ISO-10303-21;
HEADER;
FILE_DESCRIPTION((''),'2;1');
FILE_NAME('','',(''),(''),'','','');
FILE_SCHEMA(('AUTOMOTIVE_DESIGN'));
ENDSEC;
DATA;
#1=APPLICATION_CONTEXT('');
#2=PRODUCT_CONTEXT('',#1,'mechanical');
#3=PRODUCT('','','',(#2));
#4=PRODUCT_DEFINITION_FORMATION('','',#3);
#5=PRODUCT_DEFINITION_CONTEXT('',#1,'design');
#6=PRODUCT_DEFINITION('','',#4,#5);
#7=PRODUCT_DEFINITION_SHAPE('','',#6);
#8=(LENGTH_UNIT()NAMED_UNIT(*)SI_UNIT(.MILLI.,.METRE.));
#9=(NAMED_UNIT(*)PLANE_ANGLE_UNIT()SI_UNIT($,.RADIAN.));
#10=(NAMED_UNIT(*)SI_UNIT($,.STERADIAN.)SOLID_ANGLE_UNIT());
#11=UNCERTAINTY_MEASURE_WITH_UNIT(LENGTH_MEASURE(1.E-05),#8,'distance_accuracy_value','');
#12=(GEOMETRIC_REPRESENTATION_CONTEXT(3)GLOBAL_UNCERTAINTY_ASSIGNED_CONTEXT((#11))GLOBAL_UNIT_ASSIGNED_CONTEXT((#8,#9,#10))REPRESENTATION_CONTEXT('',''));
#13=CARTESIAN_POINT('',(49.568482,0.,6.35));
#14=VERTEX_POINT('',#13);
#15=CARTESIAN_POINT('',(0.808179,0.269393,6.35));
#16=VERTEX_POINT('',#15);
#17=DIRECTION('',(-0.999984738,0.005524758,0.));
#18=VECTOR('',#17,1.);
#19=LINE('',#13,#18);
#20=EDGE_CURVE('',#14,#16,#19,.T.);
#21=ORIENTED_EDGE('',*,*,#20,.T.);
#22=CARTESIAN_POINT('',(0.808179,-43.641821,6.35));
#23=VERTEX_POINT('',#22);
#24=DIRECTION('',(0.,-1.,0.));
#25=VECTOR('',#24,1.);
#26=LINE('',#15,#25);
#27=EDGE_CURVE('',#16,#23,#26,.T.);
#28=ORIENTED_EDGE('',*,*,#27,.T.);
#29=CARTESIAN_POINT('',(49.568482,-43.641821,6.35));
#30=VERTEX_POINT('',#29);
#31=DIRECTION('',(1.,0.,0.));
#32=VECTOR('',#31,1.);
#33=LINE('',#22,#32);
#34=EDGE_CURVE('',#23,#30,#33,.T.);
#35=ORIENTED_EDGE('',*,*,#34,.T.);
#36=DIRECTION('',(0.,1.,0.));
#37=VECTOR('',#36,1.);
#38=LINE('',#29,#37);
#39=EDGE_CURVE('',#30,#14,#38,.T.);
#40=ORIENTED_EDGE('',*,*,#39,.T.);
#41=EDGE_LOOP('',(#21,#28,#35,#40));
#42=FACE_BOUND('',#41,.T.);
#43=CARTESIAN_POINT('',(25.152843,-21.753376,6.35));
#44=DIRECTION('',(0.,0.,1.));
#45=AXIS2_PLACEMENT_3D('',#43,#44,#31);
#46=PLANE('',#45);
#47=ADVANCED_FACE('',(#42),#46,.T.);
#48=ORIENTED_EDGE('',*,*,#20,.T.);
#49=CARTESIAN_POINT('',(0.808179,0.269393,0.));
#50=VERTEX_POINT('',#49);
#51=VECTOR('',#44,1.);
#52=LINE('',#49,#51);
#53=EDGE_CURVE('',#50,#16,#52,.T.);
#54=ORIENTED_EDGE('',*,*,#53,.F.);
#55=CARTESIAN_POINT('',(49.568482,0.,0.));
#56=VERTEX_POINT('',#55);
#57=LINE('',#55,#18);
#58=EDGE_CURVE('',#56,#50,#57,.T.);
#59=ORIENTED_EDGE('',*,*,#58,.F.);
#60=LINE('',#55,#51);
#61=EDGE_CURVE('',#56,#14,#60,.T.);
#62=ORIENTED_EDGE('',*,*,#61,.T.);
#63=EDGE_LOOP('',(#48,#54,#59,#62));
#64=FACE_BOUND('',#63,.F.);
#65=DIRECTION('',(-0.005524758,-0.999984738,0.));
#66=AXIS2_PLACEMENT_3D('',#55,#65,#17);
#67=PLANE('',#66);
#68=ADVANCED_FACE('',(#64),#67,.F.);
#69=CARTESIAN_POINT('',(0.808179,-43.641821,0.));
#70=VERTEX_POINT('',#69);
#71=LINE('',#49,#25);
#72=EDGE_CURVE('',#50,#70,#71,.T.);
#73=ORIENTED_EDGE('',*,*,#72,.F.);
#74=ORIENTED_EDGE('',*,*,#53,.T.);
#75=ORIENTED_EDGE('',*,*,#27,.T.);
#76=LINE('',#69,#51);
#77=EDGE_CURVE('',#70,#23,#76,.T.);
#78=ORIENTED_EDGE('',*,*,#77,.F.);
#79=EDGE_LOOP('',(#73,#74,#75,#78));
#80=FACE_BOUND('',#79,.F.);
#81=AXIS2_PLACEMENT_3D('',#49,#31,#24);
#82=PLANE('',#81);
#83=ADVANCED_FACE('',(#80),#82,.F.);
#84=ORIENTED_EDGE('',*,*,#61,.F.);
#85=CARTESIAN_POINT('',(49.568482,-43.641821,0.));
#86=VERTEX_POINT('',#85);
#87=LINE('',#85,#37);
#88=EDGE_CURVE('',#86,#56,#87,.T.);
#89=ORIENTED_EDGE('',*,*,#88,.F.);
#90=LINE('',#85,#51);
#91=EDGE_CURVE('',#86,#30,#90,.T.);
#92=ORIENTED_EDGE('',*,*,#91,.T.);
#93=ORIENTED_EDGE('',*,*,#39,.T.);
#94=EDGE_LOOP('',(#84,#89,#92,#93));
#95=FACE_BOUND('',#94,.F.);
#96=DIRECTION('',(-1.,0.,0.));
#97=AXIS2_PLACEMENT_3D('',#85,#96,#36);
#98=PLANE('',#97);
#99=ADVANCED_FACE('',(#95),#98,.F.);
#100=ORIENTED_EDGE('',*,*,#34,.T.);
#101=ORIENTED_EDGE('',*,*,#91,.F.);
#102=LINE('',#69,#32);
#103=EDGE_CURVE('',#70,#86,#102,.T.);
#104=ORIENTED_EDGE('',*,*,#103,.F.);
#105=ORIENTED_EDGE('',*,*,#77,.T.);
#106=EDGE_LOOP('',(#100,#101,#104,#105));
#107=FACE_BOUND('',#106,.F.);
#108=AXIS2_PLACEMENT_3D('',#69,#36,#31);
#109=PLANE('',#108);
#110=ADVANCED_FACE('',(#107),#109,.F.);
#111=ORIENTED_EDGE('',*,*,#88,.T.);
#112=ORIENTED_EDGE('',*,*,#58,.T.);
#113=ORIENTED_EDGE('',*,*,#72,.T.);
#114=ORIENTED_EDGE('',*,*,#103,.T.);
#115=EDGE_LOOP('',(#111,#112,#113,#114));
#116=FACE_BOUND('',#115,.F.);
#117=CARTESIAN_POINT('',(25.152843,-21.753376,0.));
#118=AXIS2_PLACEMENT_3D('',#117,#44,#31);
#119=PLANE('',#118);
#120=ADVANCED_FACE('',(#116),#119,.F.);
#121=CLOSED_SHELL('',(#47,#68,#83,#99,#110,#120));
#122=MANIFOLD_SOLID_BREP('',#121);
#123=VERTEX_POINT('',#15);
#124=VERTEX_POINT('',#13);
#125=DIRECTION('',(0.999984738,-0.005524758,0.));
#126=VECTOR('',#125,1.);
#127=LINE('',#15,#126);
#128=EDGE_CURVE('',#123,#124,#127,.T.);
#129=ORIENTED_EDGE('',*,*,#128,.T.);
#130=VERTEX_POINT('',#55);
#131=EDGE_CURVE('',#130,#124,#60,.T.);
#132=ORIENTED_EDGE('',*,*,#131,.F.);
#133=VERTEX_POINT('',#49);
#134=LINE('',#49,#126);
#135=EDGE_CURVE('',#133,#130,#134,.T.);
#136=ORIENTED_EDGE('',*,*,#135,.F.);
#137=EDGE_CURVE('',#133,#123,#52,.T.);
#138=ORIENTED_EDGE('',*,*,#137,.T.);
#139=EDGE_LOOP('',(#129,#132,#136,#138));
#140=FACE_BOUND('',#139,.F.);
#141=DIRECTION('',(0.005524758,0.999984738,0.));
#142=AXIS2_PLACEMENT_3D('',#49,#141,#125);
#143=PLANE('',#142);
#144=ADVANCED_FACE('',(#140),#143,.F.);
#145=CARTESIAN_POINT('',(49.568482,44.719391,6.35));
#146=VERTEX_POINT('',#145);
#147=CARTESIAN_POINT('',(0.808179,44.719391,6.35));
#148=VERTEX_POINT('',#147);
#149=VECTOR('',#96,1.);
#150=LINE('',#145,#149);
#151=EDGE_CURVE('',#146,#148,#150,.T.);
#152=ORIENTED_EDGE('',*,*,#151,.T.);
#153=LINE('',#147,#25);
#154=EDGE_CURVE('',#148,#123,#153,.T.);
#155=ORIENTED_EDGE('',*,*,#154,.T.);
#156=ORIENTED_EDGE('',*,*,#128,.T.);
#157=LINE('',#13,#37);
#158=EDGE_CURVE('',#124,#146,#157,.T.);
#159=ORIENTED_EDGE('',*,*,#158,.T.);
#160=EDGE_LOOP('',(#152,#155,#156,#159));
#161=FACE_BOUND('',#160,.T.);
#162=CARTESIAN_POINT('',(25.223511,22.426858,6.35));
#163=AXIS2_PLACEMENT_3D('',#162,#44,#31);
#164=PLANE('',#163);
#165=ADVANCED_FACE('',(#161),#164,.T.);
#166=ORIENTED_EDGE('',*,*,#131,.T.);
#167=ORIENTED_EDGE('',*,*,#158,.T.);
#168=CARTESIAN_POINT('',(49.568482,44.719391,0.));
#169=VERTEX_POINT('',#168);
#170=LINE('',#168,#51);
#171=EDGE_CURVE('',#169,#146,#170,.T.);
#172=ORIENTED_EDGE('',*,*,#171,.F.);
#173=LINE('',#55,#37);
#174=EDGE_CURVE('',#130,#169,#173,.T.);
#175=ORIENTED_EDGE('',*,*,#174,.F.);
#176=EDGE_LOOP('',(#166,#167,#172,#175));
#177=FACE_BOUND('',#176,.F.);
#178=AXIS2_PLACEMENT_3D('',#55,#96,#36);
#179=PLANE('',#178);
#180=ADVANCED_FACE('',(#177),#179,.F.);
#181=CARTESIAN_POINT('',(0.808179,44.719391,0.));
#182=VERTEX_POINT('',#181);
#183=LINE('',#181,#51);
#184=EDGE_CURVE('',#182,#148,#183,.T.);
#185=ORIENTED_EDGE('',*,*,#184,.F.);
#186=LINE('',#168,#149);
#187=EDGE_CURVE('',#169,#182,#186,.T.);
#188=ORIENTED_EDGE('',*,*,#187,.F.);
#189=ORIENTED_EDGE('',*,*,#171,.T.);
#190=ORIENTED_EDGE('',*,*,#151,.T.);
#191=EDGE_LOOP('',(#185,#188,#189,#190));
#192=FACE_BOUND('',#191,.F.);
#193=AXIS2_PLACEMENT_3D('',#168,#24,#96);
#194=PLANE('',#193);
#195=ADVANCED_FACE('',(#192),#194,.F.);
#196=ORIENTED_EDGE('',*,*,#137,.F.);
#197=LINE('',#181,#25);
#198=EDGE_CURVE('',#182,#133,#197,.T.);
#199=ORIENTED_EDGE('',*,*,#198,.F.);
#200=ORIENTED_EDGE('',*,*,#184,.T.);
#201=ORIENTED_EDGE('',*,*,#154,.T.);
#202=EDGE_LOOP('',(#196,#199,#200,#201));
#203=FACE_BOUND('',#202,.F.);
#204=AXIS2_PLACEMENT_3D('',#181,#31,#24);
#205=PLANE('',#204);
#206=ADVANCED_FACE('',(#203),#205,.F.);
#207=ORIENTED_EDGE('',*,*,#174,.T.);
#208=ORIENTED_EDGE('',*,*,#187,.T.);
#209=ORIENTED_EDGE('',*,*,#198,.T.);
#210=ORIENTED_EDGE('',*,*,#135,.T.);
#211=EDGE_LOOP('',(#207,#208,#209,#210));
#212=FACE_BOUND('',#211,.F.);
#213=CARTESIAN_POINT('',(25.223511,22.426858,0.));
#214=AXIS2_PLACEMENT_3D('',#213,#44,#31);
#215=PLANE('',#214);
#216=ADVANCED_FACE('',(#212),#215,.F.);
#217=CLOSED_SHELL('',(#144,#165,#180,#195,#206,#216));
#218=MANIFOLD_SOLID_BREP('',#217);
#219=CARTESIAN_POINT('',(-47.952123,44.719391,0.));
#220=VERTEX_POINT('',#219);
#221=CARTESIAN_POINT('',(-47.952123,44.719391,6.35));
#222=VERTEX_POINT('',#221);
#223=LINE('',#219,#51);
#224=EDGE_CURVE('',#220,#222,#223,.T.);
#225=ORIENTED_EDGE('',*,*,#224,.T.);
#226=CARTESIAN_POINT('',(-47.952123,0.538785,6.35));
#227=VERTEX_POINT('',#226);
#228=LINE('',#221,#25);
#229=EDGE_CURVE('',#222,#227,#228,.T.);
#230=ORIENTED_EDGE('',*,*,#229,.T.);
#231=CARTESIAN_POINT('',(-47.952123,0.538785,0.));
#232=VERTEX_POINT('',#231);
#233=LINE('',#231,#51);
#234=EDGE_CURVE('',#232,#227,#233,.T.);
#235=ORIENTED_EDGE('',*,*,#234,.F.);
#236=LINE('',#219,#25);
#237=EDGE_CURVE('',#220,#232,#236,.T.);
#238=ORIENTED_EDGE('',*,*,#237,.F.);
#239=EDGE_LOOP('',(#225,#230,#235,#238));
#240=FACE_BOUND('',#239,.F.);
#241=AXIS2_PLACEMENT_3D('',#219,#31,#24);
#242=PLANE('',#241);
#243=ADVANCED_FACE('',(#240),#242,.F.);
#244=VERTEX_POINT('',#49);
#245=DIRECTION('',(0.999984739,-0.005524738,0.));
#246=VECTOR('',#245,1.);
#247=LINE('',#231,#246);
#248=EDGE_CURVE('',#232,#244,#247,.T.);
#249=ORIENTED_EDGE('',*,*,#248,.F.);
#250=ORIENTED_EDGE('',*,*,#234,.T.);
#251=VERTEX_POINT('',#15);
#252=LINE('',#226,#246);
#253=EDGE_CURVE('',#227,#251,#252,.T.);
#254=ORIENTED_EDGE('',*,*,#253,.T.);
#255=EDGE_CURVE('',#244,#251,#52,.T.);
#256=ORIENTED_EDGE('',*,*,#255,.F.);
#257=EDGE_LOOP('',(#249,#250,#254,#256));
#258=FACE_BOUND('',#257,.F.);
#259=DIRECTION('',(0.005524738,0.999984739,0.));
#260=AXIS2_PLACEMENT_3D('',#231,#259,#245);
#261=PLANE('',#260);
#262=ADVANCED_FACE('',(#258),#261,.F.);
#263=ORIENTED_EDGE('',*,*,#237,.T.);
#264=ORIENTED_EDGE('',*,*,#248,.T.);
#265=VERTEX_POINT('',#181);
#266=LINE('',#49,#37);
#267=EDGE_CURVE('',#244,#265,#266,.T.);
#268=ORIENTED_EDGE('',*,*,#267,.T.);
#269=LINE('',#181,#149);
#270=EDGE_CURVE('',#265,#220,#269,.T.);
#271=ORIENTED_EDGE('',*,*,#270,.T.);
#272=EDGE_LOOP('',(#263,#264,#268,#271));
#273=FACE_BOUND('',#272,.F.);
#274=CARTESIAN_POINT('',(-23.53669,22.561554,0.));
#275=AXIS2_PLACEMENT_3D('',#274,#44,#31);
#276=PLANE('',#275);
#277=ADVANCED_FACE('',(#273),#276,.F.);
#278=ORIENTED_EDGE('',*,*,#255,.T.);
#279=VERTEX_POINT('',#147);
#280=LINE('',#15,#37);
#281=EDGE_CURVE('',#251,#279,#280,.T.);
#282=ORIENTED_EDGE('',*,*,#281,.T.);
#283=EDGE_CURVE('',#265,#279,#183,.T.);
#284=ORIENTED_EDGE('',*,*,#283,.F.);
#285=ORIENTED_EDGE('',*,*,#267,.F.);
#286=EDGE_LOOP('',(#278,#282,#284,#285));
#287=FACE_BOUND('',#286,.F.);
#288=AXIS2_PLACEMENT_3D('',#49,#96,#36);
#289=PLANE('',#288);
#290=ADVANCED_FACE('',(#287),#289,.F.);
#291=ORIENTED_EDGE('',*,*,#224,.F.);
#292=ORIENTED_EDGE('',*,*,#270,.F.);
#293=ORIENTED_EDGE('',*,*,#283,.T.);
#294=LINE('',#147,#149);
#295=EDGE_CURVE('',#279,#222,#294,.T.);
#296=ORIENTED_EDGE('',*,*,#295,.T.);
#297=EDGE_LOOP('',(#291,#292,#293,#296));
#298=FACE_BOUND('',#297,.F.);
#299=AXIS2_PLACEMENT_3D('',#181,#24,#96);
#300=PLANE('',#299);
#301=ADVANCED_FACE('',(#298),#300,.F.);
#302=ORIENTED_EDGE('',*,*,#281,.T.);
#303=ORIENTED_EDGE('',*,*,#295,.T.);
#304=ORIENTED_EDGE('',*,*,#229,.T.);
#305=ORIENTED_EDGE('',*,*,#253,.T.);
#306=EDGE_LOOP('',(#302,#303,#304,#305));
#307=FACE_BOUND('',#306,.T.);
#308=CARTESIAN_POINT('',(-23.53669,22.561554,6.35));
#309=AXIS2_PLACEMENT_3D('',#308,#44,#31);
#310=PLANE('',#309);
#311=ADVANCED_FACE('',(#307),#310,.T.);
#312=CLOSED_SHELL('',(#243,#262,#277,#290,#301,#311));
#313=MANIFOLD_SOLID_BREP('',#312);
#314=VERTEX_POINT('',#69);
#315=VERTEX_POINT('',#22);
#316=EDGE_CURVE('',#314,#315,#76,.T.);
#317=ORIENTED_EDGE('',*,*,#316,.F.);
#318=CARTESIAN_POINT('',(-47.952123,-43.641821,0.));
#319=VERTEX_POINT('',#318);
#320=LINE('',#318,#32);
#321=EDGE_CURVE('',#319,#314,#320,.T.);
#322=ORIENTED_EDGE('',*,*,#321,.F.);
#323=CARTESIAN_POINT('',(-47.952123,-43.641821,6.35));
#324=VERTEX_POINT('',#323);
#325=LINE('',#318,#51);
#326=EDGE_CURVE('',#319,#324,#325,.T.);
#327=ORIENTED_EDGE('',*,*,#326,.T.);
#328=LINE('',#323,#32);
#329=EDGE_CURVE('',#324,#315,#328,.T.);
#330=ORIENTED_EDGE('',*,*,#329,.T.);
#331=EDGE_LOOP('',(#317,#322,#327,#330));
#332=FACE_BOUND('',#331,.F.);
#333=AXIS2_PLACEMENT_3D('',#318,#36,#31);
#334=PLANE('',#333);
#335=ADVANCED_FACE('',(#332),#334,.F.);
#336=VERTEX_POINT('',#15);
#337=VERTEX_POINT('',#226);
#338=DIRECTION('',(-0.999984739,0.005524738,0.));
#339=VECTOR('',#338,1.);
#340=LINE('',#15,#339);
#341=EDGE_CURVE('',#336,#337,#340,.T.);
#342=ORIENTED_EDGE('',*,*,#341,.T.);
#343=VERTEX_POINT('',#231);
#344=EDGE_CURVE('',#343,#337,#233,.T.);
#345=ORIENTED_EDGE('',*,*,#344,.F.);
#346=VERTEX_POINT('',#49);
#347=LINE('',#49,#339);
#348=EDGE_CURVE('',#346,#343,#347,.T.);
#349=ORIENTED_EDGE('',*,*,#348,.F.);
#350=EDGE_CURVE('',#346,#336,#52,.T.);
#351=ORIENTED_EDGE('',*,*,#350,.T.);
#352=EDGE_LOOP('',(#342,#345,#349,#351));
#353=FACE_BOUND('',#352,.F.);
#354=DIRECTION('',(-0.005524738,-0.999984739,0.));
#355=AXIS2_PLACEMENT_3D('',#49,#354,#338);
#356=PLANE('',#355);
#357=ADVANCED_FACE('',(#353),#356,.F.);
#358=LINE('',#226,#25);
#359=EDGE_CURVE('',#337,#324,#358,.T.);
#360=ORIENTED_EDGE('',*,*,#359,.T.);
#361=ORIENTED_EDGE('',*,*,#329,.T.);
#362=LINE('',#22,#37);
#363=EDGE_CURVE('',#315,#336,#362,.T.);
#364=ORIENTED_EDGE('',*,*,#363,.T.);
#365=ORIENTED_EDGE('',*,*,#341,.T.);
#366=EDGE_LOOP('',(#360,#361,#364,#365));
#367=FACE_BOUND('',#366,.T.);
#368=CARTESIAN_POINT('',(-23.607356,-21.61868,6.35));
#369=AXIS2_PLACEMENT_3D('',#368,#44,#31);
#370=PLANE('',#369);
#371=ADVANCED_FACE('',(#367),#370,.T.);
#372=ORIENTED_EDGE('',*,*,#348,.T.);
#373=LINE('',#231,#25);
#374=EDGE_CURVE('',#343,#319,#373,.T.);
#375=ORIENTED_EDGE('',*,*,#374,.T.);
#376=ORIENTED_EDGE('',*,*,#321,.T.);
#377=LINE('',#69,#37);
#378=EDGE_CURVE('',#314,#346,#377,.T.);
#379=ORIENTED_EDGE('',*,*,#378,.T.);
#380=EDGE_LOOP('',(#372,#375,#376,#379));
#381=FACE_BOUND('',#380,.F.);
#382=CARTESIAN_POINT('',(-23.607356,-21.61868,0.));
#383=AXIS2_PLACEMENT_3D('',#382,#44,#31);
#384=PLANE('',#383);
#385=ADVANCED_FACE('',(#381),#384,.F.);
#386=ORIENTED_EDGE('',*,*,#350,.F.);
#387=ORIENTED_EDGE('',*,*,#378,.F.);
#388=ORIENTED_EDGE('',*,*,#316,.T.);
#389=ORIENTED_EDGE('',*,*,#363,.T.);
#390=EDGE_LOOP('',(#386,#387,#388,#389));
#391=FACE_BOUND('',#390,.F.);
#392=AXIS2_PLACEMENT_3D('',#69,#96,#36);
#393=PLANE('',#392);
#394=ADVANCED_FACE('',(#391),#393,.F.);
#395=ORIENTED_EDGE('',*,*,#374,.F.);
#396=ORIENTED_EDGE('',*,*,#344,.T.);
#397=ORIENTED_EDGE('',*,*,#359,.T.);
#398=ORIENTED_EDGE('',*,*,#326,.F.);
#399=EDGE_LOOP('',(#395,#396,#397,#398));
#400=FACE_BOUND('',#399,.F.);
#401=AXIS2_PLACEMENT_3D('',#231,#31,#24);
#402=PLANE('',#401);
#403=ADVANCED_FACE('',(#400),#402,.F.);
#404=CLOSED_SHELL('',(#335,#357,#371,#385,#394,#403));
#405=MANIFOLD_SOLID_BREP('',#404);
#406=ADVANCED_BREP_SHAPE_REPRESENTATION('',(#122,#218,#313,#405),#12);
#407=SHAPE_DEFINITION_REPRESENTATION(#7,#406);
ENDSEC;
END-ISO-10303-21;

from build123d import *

# Parameters (mm, degrees)
F1_DEPTH = 6.35
F2_DEPTH = 6.35


with BuildPart() as f1:
    # F0 (on Top) → F1 (new body)
    with BuildSketch(Plane.XY):
        Polygon((0.808179, 44.719391), (-47.952123, 44.719391), (-47.952123, 0.538785), (0.808179, 0.269393), align=None)
        Polygon((49.568482, 0), (0.808179, 0.269393), (0.808179, -43.641821), (49.568482, -43.641821), align=None)
    extrude(amount=F1_DEPTH)


with BuildPart() as f2:
    # F0 (on Top) → F2 (new body)
    with BuildSketch(Plane.XY):
        Polygon((0.808179, 0.269393), (-47.952123, 0.538785), (-47.952123, -43.641821), (0.808179, -43.641821), align=None)
        Polygon((49.568482, 44.719391), (0.808179, 44.719391), (0.808179, 0.269393), (49.568482, 0), align=None)
    extrude(amount=F2_DEPTH)


solid = Compound([f1.part, f2.part])
